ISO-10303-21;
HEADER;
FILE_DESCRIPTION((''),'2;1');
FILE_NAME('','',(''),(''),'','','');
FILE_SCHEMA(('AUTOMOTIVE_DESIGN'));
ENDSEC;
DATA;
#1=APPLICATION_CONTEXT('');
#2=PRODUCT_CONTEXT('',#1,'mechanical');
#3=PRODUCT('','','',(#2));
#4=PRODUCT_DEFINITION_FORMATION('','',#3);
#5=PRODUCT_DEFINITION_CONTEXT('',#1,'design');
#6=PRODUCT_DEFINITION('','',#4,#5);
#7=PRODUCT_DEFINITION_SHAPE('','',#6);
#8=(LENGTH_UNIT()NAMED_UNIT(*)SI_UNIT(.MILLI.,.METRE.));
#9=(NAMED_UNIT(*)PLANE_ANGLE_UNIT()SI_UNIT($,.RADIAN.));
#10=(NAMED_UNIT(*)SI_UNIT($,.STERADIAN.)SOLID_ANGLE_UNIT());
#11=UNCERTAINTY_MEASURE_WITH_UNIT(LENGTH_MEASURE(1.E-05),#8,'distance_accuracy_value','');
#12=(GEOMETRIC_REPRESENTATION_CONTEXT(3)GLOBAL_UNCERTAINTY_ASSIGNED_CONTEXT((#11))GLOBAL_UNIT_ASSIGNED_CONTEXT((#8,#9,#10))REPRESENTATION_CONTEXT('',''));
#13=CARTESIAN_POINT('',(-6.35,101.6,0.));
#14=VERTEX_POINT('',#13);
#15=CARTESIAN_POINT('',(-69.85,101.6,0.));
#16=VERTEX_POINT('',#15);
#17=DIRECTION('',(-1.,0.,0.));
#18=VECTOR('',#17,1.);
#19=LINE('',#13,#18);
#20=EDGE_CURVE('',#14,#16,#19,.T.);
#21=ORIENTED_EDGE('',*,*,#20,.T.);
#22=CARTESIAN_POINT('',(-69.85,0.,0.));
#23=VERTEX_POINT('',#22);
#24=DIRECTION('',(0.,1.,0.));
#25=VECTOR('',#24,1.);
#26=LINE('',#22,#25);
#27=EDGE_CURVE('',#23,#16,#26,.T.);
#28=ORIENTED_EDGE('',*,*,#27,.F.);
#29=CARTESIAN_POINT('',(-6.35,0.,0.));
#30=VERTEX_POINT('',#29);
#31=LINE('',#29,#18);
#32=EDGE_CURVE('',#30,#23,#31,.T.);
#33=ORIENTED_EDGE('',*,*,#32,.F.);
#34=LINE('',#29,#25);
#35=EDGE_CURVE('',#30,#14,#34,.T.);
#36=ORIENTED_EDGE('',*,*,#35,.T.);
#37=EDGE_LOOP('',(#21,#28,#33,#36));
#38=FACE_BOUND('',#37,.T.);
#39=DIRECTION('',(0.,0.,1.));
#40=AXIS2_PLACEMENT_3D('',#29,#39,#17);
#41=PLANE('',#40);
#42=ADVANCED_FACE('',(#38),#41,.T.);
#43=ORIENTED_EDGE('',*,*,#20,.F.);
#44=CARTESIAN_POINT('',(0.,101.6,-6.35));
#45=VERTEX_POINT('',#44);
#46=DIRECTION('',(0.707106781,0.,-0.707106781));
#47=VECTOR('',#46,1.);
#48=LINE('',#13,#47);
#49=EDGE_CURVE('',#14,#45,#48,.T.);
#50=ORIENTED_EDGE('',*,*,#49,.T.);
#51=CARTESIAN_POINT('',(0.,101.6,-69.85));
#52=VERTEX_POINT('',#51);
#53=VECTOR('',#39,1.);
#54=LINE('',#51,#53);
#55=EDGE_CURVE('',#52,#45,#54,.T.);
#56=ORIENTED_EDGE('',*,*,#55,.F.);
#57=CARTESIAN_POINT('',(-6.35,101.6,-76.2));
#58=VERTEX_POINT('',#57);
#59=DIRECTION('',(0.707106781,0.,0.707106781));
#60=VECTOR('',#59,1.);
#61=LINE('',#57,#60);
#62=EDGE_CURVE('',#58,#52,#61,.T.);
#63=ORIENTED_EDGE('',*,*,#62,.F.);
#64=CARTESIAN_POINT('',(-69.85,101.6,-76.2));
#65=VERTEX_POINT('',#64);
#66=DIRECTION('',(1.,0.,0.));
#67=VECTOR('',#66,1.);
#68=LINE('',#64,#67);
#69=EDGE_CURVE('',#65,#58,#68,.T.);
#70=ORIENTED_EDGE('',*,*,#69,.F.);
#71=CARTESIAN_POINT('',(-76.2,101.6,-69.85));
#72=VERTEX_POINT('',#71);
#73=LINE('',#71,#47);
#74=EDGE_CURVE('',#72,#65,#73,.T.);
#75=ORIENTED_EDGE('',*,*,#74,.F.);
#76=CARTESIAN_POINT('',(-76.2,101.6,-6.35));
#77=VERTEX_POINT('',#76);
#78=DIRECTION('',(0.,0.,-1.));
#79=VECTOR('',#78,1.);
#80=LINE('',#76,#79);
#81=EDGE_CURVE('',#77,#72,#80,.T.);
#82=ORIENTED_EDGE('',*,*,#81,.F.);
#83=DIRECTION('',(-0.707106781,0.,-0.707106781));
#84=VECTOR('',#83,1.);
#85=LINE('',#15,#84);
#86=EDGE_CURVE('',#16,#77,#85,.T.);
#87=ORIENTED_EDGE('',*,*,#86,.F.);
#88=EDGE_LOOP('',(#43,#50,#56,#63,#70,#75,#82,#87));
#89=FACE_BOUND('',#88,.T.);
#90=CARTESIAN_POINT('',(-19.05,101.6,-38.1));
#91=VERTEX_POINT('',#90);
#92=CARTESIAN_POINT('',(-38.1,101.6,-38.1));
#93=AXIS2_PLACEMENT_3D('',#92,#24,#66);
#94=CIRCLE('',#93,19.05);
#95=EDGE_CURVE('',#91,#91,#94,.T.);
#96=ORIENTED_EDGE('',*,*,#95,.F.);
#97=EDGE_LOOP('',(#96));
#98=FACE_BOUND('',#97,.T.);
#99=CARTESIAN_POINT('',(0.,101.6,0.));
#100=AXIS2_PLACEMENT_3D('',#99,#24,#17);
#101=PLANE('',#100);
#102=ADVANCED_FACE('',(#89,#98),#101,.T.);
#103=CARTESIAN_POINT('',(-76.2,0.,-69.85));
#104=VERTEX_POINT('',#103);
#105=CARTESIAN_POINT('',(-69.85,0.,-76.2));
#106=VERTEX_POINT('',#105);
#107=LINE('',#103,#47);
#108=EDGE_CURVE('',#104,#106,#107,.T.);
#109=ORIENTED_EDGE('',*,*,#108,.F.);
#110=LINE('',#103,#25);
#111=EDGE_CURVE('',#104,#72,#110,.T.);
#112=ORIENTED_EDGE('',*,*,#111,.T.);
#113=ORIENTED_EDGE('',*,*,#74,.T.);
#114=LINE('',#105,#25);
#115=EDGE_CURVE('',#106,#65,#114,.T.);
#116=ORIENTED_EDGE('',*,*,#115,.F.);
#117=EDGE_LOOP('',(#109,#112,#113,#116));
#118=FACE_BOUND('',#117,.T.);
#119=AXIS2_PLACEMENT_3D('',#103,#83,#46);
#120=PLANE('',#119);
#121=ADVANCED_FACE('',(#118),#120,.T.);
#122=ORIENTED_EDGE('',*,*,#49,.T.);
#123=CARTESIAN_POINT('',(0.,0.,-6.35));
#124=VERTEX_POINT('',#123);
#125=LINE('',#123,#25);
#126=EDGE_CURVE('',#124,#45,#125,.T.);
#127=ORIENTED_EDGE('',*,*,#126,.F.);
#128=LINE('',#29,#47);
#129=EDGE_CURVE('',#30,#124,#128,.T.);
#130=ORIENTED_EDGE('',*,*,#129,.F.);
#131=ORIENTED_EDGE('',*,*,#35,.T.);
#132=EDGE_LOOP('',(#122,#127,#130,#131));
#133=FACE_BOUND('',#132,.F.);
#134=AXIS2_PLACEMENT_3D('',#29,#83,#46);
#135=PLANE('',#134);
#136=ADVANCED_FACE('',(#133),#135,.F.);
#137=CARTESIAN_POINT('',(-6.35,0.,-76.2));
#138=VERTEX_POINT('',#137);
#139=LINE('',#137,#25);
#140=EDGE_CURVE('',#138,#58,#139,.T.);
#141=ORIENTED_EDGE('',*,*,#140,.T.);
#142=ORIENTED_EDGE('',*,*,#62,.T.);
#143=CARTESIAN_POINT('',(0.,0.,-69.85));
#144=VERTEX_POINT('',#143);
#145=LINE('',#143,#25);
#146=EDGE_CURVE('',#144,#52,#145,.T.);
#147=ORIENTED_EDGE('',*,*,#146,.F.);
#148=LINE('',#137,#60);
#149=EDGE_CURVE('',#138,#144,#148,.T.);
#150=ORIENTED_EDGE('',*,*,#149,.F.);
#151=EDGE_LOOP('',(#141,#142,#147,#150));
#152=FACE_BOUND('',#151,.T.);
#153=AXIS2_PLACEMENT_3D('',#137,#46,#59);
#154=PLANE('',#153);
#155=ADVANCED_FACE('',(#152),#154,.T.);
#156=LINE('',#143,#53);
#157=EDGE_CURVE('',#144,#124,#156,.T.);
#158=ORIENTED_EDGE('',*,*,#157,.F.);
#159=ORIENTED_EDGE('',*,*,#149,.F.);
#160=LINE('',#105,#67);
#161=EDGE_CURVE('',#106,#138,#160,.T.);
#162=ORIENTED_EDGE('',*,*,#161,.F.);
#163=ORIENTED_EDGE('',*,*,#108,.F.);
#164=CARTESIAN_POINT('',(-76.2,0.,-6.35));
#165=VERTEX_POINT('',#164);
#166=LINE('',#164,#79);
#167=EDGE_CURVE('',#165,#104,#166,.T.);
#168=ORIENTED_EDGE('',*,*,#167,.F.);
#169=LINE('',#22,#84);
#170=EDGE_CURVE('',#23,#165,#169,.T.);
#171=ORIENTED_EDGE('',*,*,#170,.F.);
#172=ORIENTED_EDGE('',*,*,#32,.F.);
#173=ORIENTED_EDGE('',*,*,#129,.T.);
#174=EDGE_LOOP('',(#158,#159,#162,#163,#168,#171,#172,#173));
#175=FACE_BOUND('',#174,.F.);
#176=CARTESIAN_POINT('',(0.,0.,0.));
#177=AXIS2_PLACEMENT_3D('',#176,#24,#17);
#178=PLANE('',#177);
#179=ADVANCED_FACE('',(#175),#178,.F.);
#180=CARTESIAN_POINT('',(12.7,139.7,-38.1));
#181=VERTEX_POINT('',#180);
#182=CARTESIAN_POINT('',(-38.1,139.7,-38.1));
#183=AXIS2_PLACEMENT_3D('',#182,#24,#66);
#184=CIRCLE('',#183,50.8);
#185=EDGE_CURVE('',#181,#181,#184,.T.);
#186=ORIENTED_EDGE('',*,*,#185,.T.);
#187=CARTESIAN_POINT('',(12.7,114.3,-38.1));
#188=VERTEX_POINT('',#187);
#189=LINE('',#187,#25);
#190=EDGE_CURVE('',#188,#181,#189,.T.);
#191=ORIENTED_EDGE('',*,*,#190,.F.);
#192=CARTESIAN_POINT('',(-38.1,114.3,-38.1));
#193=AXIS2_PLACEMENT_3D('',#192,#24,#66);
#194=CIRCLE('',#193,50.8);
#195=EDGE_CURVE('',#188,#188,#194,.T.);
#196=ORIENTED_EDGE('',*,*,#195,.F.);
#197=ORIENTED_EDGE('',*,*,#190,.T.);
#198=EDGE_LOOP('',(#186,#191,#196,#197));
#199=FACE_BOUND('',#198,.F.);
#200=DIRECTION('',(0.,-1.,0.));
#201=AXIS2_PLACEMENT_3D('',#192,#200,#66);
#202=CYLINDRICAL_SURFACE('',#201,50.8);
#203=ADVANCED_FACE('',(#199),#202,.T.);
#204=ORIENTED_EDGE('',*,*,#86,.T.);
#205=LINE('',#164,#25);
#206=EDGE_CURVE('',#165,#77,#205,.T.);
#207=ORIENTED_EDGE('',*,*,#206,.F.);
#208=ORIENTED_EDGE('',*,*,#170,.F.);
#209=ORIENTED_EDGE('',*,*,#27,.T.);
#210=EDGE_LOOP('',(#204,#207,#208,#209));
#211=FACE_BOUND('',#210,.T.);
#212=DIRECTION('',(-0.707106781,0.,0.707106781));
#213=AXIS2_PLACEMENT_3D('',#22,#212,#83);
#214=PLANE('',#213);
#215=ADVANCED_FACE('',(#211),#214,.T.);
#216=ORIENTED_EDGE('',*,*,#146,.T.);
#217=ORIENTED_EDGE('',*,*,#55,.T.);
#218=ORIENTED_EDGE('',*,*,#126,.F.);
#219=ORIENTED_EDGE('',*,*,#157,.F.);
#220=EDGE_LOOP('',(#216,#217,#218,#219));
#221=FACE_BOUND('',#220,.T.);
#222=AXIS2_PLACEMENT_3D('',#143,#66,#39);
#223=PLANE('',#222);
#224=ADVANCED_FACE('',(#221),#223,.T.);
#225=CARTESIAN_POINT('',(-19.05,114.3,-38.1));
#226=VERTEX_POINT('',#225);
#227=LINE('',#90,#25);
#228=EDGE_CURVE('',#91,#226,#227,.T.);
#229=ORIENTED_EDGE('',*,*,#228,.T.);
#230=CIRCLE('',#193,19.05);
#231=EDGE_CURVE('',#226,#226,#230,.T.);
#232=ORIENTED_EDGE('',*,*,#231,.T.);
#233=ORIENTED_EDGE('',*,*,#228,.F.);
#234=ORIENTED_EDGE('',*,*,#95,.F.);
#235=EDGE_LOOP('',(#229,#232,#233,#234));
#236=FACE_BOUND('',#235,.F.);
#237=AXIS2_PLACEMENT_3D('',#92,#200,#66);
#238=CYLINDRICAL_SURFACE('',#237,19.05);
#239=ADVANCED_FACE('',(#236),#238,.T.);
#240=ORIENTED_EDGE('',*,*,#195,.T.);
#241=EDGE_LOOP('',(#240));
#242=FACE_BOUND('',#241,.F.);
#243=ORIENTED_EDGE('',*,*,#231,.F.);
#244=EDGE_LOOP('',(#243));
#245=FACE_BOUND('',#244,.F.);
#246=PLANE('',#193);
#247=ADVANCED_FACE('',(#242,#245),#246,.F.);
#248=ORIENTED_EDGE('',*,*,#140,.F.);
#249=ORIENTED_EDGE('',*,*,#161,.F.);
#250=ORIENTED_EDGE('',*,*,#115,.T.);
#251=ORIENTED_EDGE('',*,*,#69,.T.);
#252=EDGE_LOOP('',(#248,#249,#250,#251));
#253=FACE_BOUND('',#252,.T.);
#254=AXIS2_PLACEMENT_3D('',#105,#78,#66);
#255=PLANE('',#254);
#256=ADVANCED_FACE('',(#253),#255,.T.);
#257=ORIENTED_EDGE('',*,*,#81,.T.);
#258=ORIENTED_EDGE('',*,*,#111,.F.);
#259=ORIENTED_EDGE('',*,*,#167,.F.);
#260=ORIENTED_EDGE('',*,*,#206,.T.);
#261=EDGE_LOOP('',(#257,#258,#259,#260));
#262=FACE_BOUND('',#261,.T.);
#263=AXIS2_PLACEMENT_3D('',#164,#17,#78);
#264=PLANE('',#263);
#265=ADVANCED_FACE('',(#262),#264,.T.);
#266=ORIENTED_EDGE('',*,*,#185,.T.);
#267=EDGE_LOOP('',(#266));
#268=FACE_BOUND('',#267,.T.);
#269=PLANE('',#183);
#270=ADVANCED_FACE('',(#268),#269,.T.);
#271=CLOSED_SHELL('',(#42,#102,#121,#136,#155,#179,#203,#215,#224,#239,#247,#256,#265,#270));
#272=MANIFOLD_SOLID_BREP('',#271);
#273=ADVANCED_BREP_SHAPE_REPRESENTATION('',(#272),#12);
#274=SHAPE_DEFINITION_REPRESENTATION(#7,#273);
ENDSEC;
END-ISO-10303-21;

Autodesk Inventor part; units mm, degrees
ref_plane "YZ Plane" through (0, 0, 0) normal (1, 0, 0) x (0, 1, 0)
ref_plane "XZ Plane" through (0, 0, 0) normal (0, 1, 0) x (-1, 0, 0)
ref_plane "XY Plane" through (0, 0, 0) normal (0, 0, 1) x (1, 0, 0)
sketch "Sketch1" plane through (0, 0, 0) normal (0, 1, 0) x (-1, 0, 0)
  line L0 (6.35, 0) -> (69.85, 0)
  line L1 (76.2, -6.35) -> (76.2, -69.85)
  line L2 (69.85, -76.2) -> (6.35, -76.2)
  line L3 (0, -69.85) -> (0, -6.35)
  line L4 (69.85, 0) -> (76.2, -6.35)
  line L5 (76.2, -69.85) -> (69.85, -76.2)
  line L6 (6.35, 0) -> (0, -6.35)
  line L7 (6.35, -76.2) -> (0, -69.85)
  point P0 (0, 0)
  point P1 (76.2, -76.2)
  point P2 (76.2, 0)
  point P3 (0, -76.2)
  dimension "d2" = 76.2
  dimension "d3" = 76.2
  dimension "d4" = 6.35
  dimension "d5" = 6.35
  dimension "d6" = 6.35
  dimension "d7" = 6.35
  dimension "d8" = 6.35
  dimension "d9" = 6.35
  dimension "d10" = 6.35
  dimension "d11" = 6.35
extrude "Extrusion1" add sketch "Sketch1" along normal blind 101.6
sketch "Sketch2" plane through (0, 101.6, 0) normal (0, 1, 0) x (1, 0, 0)
  circle A0 centre (-38.1, 38.1) radius 19.05
  line L0 (-69.85, 0) -> (-6.35, 0) projected
  line L1 (0, 6.35) -> (0, 69.85) projected
  point P0 (0, 0)
  dimension "d14" = 38.1
  dimension "d15" = 38.1
  dimension "d16" = 38.1
extrude "Extrusion2" add sketch "Sketch2" along normal blind 12.7
sketch "Sketch3" plane through (-38.1, 114.3, -38.1) normal (0, 1, 0) x (1, 0, 0)
  circle A0 centre (0, 0) radius 50.8
  point P0 (38.1, -38.1)
  dimension "d19" = 101.6
extrude "Extrusion3" add sketch "Sketch3" along normal blind 25.4
properties part number "Motor"
